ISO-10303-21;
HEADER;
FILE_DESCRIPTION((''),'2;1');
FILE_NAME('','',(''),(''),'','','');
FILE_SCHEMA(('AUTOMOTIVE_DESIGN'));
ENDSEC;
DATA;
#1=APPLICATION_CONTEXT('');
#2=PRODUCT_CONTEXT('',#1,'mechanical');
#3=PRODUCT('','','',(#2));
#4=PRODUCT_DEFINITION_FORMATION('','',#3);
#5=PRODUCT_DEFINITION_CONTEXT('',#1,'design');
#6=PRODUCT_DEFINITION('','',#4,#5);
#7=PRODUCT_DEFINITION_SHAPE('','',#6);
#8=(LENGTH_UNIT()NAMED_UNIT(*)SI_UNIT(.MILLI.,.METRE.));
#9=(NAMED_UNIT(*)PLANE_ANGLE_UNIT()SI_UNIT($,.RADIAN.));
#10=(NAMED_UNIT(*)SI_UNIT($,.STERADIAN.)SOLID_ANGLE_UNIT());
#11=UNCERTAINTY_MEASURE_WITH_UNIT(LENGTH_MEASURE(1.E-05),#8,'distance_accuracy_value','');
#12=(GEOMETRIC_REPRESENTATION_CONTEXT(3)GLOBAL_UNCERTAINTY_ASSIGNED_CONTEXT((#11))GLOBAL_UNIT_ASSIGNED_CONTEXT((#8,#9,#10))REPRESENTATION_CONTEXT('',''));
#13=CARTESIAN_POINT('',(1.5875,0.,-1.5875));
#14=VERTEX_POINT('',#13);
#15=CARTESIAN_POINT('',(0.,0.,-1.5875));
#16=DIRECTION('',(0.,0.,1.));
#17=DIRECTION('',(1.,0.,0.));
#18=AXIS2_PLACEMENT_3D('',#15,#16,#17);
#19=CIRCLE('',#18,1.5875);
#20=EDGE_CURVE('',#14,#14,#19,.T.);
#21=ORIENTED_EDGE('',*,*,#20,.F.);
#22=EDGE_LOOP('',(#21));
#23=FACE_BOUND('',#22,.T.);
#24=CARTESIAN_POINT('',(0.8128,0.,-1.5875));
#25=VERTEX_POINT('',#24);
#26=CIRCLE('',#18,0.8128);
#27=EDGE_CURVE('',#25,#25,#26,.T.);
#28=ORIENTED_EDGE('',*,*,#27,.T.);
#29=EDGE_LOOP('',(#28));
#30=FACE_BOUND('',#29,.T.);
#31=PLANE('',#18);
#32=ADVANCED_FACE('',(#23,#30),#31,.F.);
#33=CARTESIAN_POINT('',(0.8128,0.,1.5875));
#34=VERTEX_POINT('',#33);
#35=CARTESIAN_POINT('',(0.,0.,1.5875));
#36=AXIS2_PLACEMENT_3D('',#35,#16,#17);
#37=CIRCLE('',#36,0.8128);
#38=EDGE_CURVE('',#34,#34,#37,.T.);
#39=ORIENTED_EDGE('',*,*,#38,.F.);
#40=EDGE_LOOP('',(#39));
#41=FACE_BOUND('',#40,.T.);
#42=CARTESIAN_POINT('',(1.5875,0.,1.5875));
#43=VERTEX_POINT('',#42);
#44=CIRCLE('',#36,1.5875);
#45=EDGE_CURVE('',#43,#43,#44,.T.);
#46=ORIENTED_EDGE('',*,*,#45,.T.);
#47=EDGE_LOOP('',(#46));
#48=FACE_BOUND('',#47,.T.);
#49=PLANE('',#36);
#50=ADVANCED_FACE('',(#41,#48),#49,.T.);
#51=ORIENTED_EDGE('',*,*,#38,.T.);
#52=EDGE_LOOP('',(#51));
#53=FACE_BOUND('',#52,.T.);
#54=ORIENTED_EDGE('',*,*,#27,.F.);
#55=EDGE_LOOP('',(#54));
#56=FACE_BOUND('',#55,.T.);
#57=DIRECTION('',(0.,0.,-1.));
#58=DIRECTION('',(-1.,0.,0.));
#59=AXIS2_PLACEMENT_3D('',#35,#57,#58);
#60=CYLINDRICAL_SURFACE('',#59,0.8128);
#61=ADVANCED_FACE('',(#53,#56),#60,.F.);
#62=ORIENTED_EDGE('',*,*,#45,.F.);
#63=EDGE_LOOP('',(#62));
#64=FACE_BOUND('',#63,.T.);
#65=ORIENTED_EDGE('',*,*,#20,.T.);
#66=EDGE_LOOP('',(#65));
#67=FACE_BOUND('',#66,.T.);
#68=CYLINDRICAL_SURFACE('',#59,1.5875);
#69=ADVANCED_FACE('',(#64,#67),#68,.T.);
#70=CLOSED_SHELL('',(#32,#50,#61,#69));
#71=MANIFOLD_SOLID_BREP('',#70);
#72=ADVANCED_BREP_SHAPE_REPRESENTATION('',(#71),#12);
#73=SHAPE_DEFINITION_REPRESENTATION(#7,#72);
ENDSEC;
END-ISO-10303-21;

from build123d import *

# Parameters (mm, degrees)
SKETCH1_R           = 1.5875
SKETCH1_R_2         = 0.8128
BOSS_EXTRUDE1_DEPTH = 1.5875


with BuildPart() as part:
    # Sketch1 → Boss-Extrude1 (new, symmetric)
    with BuildSketch(Plane.XY):
        Circle(SKETCH1_R)
        Circle(SKETCH1_R_2, mode=Mode.SUBTRACT)
    extrude(amount=BOSS_EXTRUDE1_DEPTH, both=True)


solid = part.part
